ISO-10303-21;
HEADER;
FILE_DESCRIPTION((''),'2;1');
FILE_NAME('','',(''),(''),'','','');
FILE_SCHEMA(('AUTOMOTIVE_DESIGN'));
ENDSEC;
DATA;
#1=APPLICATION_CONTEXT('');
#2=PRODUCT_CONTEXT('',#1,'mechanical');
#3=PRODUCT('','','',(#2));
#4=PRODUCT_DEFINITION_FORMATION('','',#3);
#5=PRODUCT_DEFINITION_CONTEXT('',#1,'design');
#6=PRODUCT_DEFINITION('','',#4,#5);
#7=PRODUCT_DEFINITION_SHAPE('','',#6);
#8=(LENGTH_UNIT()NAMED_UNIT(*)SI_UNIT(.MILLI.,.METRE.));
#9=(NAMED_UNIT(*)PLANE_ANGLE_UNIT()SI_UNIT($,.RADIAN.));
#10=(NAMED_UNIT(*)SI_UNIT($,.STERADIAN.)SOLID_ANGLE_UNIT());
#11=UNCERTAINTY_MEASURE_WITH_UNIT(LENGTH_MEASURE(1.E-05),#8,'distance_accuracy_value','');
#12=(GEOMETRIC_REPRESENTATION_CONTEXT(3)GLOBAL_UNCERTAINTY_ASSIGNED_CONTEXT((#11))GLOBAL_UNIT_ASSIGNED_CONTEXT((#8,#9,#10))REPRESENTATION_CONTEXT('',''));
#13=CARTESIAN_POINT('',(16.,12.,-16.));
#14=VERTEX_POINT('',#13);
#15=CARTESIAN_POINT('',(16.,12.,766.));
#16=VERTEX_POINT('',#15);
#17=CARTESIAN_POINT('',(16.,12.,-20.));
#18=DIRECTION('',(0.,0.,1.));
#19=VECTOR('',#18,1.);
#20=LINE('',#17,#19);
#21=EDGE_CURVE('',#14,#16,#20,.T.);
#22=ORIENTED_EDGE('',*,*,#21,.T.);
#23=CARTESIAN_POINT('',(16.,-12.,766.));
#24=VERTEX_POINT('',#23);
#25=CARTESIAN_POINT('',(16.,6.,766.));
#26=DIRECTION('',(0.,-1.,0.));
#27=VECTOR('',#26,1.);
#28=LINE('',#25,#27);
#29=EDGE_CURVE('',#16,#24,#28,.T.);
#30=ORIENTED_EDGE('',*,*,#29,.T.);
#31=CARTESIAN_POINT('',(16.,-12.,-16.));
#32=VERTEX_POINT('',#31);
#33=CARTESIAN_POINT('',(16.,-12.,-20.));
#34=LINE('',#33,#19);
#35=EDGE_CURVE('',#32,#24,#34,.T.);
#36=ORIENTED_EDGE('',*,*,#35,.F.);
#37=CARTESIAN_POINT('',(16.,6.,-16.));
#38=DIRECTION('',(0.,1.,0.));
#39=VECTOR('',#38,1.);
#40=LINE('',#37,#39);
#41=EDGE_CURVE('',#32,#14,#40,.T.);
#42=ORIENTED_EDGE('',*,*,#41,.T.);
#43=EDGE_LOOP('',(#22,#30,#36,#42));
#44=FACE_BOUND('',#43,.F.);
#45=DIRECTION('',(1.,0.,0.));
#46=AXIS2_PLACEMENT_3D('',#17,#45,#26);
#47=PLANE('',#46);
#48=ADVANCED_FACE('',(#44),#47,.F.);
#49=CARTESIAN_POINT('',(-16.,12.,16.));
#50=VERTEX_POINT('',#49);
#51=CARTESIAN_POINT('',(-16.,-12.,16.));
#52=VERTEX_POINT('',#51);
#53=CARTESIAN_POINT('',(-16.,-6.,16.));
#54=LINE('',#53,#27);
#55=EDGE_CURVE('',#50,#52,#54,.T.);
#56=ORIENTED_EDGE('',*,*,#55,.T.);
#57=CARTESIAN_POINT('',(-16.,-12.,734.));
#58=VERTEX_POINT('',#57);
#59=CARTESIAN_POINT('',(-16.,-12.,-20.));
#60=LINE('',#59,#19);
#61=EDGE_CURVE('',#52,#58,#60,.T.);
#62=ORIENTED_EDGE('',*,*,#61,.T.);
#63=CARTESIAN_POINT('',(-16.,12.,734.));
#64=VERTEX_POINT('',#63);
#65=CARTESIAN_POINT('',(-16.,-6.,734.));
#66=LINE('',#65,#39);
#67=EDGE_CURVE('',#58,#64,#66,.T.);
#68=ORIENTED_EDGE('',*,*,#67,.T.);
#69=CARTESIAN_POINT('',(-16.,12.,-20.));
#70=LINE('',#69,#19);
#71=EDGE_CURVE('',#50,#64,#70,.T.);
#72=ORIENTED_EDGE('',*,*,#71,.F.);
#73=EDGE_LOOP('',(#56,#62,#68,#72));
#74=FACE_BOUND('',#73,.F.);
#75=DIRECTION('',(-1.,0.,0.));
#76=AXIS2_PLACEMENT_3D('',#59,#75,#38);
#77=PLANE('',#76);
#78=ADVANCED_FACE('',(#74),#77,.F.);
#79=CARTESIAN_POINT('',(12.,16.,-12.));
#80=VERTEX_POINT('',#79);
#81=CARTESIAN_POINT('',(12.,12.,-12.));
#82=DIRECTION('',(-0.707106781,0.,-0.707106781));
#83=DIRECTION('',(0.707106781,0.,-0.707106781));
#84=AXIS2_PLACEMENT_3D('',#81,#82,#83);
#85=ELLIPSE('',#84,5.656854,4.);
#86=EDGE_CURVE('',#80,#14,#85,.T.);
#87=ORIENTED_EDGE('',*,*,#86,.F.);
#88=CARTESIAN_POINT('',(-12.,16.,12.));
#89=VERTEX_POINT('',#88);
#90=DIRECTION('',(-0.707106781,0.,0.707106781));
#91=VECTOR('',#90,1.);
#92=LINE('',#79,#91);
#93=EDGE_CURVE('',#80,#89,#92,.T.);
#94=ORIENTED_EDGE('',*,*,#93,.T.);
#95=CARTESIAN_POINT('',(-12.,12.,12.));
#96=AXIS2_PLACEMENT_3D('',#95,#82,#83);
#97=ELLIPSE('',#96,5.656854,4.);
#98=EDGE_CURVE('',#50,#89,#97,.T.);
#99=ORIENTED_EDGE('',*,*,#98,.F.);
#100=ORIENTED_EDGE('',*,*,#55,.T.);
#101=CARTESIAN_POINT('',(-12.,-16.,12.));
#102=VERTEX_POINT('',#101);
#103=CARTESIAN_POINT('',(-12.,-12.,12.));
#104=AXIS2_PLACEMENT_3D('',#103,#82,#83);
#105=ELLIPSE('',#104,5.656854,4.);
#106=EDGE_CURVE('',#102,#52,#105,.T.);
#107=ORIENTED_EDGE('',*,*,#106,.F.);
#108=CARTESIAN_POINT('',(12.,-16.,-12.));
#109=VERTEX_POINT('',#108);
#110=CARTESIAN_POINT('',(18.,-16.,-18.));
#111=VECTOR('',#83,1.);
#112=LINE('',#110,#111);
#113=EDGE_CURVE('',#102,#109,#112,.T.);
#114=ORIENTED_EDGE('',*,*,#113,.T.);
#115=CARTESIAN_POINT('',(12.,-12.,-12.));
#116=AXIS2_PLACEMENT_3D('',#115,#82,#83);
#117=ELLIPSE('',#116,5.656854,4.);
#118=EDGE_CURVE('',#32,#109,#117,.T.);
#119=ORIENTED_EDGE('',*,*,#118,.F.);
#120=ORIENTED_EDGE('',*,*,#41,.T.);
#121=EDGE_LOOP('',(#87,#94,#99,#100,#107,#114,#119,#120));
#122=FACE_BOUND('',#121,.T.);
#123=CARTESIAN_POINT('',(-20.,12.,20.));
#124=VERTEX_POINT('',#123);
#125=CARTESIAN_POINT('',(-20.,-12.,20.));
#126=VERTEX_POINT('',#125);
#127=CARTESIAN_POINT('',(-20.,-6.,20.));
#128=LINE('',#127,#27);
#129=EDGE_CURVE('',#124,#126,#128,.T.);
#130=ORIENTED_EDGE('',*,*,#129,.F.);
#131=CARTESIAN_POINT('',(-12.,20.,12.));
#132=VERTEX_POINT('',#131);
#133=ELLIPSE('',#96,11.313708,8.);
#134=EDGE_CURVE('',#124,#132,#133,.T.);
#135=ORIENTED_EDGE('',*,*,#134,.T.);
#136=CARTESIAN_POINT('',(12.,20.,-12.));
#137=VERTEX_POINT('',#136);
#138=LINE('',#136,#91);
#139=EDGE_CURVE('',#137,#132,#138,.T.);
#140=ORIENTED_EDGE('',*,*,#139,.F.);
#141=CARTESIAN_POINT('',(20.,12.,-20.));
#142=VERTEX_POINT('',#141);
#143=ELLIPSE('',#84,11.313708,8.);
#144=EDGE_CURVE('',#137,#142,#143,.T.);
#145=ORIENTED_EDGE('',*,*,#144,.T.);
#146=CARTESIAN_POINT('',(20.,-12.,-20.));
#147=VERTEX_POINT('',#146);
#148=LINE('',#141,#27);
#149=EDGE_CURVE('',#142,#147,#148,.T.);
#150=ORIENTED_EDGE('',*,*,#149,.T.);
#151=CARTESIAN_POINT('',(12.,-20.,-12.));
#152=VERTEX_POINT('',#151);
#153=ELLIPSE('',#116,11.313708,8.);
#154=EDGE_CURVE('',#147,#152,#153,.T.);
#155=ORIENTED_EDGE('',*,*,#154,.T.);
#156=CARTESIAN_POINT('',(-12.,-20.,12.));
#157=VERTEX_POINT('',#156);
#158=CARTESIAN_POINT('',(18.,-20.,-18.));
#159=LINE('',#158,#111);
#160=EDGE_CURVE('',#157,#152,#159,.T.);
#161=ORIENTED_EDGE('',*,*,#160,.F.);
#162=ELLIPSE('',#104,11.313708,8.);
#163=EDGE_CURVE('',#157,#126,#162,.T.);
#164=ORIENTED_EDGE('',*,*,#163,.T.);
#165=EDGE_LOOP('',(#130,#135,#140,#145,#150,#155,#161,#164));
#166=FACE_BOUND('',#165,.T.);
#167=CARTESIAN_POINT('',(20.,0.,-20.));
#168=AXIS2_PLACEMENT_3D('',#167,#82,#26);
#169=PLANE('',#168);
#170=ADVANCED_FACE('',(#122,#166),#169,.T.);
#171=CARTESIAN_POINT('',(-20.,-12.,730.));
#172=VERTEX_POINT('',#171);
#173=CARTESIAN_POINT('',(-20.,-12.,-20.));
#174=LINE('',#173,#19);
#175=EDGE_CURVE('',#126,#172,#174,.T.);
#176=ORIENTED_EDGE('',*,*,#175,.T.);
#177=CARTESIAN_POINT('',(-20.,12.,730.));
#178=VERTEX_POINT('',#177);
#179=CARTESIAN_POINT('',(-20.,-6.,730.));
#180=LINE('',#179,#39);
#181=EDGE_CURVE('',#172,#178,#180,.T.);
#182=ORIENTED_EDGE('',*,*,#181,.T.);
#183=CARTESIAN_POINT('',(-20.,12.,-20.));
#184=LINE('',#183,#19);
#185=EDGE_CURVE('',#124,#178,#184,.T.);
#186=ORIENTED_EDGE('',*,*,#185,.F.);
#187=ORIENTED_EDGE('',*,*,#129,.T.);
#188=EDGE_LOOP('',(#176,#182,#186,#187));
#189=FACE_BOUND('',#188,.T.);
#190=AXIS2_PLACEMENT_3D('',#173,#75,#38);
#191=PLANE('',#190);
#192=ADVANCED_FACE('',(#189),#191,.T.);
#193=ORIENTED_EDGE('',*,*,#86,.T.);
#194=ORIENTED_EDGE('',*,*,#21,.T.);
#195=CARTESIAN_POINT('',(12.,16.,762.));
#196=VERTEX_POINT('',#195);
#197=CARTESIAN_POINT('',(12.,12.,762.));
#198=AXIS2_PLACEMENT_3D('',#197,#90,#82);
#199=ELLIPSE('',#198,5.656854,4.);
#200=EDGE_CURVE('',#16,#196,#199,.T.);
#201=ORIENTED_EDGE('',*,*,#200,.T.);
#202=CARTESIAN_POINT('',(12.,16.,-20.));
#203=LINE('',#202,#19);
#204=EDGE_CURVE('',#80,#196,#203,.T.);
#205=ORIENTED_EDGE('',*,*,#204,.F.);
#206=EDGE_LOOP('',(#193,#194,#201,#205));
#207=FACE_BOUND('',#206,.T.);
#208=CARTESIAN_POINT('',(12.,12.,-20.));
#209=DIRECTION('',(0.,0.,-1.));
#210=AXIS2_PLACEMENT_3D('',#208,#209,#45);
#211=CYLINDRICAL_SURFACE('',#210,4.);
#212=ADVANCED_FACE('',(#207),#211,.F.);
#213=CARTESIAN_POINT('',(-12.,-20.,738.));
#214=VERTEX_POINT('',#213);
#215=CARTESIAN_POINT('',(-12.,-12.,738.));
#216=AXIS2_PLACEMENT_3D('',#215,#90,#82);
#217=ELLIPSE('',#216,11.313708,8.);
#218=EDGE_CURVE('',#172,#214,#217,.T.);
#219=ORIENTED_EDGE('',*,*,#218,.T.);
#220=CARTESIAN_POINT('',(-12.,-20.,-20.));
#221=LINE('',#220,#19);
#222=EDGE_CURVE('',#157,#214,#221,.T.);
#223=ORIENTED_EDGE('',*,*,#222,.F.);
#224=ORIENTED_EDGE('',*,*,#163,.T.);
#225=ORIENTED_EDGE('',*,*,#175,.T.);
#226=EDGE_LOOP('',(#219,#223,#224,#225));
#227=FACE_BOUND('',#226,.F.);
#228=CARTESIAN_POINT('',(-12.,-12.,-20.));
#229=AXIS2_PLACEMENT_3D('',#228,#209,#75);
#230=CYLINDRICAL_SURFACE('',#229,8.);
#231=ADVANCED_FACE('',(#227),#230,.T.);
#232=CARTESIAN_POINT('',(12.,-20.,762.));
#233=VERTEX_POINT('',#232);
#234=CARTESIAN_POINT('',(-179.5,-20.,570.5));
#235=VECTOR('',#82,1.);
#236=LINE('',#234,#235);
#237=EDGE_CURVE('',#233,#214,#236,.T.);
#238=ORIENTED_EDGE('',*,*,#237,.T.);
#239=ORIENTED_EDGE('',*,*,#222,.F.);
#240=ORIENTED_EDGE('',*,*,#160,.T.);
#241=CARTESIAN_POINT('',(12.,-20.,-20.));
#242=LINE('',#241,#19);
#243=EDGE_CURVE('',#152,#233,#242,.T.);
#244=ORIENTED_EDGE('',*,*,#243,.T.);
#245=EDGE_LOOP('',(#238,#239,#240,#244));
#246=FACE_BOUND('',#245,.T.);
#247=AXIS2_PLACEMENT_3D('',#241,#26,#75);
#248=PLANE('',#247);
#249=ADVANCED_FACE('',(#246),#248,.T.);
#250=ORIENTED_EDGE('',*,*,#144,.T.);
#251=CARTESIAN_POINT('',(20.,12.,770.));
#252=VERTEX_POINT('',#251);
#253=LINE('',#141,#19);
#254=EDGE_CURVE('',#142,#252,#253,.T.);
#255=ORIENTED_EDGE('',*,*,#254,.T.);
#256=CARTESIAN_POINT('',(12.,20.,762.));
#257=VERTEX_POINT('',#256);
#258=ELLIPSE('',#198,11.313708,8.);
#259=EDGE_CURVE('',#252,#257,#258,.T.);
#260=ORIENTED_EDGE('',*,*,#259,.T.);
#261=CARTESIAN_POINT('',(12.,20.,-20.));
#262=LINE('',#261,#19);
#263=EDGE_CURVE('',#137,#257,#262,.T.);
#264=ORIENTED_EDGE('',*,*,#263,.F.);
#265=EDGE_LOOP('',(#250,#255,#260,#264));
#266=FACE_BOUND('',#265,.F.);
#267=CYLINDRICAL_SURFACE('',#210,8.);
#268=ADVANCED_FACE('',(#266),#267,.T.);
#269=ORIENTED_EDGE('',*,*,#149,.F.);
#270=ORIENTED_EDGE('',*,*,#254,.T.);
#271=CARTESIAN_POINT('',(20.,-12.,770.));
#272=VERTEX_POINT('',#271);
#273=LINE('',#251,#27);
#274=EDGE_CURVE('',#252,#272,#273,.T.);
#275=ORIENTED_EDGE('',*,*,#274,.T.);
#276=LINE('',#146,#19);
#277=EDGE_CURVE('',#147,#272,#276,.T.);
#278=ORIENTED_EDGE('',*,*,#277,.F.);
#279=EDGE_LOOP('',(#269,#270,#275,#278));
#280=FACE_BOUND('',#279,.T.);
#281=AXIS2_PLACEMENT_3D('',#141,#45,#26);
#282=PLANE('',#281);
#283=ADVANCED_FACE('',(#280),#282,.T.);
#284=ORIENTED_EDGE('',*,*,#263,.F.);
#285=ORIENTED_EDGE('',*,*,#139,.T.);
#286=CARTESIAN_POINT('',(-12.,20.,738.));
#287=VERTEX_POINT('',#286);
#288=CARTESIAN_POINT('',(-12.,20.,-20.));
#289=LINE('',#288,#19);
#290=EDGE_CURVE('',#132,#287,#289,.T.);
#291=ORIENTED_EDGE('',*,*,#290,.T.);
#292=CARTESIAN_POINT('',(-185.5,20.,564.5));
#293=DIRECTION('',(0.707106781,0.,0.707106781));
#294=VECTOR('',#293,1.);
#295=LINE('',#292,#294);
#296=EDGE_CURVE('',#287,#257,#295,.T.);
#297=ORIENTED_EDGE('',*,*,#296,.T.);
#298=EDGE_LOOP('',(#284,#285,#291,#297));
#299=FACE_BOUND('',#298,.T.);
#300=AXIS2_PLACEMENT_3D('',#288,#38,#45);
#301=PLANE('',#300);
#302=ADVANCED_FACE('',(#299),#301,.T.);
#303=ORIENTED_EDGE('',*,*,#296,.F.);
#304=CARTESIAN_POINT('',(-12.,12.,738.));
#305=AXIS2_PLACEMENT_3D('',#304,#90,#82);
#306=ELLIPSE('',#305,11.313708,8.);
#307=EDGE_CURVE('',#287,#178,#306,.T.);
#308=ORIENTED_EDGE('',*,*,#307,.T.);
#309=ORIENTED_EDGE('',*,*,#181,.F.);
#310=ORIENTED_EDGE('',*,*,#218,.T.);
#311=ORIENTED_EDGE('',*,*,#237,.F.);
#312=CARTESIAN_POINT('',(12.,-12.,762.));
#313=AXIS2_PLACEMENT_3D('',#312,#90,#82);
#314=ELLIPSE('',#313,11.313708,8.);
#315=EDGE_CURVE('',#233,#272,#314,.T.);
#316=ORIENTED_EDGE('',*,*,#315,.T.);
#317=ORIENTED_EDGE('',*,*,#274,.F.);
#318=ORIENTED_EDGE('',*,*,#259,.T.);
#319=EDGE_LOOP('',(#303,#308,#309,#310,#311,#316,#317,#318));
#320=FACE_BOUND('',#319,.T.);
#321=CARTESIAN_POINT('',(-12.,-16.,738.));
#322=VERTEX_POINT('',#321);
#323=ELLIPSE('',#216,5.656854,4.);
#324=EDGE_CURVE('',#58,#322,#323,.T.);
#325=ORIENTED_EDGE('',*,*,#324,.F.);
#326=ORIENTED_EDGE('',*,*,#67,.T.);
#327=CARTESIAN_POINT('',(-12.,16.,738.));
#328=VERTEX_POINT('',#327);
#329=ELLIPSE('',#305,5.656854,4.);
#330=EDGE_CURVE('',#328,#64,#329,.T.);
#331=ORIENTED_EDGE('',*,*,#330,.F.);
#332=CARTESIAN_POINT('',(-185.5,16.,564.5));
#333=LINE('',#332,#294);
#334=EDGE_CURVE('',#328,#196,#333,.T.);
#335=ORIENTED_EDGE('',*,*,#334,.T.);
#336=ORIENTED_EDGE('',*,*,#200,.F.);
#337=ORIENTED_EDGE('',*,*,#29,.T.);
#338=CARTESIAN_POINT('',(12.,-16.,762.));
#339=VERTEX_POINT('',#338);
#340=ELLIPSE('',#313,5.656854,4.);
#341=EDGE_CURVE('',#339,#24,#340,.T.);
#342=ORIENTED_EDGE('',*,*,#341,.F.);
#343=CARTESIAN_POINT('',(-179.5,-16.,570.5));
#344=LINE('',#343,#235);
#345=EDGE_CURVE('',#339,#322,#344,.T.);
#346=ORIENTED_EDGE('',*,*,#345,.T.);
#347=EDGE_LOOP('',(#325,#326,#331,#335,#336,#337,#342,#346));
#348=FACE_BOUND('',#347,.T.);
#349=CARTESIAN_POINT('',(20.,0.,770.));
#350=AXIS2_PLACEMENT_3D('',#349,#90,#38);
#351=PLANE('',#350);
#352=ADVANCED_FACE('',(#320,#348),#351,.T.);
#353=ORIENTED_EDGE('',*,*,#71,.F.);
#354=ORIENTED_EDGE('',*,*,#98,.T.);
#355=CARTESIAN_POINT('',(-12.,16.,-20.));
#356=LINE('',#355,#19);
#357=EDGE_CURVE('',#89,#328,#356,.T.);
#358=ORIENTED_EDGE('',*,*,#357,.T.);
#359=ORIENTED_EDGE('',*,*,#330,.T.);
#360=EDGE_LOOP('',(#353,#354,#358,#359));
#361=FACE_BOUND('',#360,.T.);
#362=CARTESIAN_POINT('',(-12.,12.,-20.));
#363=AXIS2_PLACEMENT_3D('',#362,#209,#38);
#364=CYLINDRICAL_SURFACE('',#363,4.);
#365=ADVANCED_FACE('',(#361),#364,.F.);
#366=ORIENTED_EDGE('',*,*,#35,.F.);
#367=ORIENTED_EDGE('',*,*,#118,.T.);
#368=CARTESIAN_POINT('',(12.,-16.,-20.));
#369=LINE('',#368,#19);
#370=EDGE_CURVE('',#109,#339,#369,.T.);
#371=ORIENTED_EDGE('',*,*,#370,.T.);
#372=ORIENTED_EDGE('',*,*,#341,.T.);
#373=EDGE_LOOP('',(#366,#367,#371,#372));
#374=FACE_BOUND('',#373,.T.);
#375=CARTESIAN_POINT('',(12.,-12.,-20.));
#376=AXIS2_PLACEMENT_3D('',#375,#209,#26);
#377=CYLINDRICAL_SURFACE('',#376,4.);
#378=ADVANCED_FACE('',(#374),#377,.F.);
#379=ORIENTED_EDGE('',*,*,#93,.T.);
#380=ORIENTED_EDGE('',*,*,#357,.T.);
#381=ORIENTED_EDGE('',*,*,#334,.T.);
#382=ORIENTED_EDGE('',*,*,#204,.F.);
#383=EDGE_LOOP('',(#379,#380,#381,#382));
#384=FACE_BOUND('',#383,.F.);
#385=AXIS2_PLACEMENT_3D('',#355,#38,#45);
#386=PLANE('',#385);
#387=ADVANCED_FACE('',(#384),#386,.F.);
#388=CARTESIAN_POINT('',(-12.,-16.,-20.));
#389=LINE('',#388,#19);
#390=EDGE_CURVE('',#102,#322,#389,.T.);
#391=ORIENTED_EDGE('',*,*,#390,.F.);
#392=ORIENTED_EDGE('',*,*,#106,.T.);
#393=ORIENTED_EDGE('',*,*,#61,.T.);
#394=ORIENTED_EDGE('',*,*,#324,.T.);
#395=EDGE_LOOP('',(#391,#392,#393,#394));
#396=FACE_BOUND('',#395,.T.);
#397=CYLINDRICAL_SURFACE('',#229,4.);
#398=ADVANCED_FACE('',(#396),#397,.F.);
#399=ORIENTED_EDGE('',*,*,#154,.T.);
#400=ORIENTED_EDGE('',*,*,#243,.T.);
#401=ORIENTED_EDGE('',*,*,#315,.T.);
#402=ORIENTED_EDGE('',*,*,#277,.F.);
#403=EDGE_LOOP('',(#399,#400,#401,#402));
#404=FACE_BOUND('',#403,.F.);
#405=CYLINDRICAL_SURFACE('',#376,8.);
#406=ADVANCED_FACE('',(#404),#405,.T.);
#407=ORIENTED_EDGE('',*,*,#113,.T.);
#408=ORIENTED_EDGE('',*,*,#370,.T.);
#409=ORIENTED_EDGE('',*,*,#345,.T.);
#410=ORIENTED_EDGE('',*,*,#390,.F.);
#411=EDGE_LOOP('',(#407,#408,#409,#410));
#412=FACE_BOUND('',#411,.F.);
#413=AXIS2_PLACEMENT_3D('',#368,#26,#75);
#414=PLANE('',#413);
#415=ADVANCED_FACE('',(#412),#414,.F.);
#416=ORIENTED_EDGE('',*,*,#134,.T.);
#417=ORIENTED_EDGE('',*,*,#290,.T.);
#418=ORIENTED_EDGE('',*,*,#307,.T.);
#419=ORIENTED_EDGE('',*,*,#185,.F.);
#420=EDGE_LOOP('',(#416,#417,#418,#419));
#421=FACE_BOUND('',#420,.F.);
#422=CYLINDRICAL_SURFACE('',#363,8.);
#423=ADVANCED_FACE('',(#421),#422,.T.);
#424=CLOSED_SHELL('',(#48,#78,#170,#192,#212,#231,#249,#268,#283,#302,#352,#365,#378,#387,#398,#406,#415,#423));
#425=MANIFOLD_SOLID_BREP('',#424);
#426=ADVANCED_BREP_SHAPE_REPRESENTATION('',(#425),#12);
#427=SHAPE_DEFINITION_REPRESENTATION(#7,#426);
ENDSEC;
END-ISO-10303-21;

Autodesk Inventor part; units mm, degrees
ref_plane "Start plane" through (0, 0, -20) normal (0, 0, 1) x (1, 0, 0)
ref_plane "End plane" through (0, 0, 770) normal (0, 0, 1) x (1, 0, 0)
sketch "Sketch" plane through (0, 0, 0) normal (0, 0, 1) x (1, 0, 0)
  line L0 (-20, -12) -> (-20, 12)
  line L1 (-12, 20) -> (12, 20)
  line L2 (20, 12) -> (20, -12)
  line L3 (12, -20) -> (-12, -20)
  arc A0 (-20, -12) -> (-12, -20) centre (-12, -12) ccw
  arc A1 (-12, 20) -> (-20, 12) centre (-12, 12) ccw
  arc A2 (20, 12) -> (12, 20) centre (12, 12) ccw
  arc A3 (12, -20) -> (20, -12) centre (12, -12) ccw
  arc A4 (-12, 16) -> (-16, 12) centre (-12, 12) ccw
  line L4 (-12, 16) -> (12, 16)
  arc A5 (16, 12) -> (12, 16) centre (12, 12) ccw
  line L5 (16, 12) -> (16, -12)
  arc A6 (12, -16) -> (16, -12) centre (12, -12) ccw
  line L6 (12, -16) -> (-12, -16)
  arc A7 (-16, -12) -> (-12, -16) centre (-12, -12) ccw
  line L7 (-16, -12) -> (-16, 12)
  line L8 (0, 30.3196) -> (0, -30.3196) construction
  line L9 (-30.3196, 0) -> (30.3196, 0) construction
  dimension "d7" = 8
  dimension "d10" = 40
  dimension "d11" = 40
  dimension "d12" = 4
  dimension "d15" = 20
  dimension "d16" = 20
extrude "Body" add sketch "Sketch" along normal up to surface (790 mm away) from surface at -20
sketch "Sketch3" plane through (0, 0, 0) normal (0, 0, 1) x (1, 0, 0)
  line L0 (0, 0) -> (10, 0)
ref_plane "Work Plane3" through (0, 0, 0) normal (0, -1, 0) x (1, 0, 0)
sketch "Sketch4" plane through (0, 0, 0) normal (0, -1, 0) x (1, 0, 0)
  line L0 (-2, -20) -> (12, -20)
  line L1 (-2, 770) -> (12, 770)
  dimension "d18" = 790
ref_plane "Work Plane4" through (20, 0, -20) normal (-0.7071, 0, -0.7071) x (-0.7071, 0, 0.7071)
split "Split1" plane through (20, 0, -20) removes the side toward (-0.7071, 0, -0.7071)
ref_plane "Work Plane5" through (20, 0, 770) normal (-0.7071, 0, 0.7071) x (0.7071, 0, 0.7071)
split "Split2" plane through (20, 0, 770) removes the side toward (-0.7071, 0, 0.7071)
equation "\"d7\" = G_IR"
equation "\"d10\" = G_H"
equation "\"d11\" = G_W"
equation "\"d12\" = G_T"
equation "\"d15\" = 0.5 * d10"
equation "\"d16\" = 0.5 * d11"
equation "\"d3\" = G_L"
equation "\"G_W\" = 40"
equation "\"G_H\" = 40"
equation "\"G_T\" = 4"
equation "\"G_IR\" = 8"
equation "\"G_L\" = d18"
equation "\"G_OFFSET_START\" = 20"
equation "\"G_OFFSET_END\" = 20"
equation "\"d13\" = -G_OFFSET_START"
equation "\"B_L\" = 750"
properties part number "DIN EN 10219-2 - 40 x 40 x 4  - 790" material "Steel, Mild"
